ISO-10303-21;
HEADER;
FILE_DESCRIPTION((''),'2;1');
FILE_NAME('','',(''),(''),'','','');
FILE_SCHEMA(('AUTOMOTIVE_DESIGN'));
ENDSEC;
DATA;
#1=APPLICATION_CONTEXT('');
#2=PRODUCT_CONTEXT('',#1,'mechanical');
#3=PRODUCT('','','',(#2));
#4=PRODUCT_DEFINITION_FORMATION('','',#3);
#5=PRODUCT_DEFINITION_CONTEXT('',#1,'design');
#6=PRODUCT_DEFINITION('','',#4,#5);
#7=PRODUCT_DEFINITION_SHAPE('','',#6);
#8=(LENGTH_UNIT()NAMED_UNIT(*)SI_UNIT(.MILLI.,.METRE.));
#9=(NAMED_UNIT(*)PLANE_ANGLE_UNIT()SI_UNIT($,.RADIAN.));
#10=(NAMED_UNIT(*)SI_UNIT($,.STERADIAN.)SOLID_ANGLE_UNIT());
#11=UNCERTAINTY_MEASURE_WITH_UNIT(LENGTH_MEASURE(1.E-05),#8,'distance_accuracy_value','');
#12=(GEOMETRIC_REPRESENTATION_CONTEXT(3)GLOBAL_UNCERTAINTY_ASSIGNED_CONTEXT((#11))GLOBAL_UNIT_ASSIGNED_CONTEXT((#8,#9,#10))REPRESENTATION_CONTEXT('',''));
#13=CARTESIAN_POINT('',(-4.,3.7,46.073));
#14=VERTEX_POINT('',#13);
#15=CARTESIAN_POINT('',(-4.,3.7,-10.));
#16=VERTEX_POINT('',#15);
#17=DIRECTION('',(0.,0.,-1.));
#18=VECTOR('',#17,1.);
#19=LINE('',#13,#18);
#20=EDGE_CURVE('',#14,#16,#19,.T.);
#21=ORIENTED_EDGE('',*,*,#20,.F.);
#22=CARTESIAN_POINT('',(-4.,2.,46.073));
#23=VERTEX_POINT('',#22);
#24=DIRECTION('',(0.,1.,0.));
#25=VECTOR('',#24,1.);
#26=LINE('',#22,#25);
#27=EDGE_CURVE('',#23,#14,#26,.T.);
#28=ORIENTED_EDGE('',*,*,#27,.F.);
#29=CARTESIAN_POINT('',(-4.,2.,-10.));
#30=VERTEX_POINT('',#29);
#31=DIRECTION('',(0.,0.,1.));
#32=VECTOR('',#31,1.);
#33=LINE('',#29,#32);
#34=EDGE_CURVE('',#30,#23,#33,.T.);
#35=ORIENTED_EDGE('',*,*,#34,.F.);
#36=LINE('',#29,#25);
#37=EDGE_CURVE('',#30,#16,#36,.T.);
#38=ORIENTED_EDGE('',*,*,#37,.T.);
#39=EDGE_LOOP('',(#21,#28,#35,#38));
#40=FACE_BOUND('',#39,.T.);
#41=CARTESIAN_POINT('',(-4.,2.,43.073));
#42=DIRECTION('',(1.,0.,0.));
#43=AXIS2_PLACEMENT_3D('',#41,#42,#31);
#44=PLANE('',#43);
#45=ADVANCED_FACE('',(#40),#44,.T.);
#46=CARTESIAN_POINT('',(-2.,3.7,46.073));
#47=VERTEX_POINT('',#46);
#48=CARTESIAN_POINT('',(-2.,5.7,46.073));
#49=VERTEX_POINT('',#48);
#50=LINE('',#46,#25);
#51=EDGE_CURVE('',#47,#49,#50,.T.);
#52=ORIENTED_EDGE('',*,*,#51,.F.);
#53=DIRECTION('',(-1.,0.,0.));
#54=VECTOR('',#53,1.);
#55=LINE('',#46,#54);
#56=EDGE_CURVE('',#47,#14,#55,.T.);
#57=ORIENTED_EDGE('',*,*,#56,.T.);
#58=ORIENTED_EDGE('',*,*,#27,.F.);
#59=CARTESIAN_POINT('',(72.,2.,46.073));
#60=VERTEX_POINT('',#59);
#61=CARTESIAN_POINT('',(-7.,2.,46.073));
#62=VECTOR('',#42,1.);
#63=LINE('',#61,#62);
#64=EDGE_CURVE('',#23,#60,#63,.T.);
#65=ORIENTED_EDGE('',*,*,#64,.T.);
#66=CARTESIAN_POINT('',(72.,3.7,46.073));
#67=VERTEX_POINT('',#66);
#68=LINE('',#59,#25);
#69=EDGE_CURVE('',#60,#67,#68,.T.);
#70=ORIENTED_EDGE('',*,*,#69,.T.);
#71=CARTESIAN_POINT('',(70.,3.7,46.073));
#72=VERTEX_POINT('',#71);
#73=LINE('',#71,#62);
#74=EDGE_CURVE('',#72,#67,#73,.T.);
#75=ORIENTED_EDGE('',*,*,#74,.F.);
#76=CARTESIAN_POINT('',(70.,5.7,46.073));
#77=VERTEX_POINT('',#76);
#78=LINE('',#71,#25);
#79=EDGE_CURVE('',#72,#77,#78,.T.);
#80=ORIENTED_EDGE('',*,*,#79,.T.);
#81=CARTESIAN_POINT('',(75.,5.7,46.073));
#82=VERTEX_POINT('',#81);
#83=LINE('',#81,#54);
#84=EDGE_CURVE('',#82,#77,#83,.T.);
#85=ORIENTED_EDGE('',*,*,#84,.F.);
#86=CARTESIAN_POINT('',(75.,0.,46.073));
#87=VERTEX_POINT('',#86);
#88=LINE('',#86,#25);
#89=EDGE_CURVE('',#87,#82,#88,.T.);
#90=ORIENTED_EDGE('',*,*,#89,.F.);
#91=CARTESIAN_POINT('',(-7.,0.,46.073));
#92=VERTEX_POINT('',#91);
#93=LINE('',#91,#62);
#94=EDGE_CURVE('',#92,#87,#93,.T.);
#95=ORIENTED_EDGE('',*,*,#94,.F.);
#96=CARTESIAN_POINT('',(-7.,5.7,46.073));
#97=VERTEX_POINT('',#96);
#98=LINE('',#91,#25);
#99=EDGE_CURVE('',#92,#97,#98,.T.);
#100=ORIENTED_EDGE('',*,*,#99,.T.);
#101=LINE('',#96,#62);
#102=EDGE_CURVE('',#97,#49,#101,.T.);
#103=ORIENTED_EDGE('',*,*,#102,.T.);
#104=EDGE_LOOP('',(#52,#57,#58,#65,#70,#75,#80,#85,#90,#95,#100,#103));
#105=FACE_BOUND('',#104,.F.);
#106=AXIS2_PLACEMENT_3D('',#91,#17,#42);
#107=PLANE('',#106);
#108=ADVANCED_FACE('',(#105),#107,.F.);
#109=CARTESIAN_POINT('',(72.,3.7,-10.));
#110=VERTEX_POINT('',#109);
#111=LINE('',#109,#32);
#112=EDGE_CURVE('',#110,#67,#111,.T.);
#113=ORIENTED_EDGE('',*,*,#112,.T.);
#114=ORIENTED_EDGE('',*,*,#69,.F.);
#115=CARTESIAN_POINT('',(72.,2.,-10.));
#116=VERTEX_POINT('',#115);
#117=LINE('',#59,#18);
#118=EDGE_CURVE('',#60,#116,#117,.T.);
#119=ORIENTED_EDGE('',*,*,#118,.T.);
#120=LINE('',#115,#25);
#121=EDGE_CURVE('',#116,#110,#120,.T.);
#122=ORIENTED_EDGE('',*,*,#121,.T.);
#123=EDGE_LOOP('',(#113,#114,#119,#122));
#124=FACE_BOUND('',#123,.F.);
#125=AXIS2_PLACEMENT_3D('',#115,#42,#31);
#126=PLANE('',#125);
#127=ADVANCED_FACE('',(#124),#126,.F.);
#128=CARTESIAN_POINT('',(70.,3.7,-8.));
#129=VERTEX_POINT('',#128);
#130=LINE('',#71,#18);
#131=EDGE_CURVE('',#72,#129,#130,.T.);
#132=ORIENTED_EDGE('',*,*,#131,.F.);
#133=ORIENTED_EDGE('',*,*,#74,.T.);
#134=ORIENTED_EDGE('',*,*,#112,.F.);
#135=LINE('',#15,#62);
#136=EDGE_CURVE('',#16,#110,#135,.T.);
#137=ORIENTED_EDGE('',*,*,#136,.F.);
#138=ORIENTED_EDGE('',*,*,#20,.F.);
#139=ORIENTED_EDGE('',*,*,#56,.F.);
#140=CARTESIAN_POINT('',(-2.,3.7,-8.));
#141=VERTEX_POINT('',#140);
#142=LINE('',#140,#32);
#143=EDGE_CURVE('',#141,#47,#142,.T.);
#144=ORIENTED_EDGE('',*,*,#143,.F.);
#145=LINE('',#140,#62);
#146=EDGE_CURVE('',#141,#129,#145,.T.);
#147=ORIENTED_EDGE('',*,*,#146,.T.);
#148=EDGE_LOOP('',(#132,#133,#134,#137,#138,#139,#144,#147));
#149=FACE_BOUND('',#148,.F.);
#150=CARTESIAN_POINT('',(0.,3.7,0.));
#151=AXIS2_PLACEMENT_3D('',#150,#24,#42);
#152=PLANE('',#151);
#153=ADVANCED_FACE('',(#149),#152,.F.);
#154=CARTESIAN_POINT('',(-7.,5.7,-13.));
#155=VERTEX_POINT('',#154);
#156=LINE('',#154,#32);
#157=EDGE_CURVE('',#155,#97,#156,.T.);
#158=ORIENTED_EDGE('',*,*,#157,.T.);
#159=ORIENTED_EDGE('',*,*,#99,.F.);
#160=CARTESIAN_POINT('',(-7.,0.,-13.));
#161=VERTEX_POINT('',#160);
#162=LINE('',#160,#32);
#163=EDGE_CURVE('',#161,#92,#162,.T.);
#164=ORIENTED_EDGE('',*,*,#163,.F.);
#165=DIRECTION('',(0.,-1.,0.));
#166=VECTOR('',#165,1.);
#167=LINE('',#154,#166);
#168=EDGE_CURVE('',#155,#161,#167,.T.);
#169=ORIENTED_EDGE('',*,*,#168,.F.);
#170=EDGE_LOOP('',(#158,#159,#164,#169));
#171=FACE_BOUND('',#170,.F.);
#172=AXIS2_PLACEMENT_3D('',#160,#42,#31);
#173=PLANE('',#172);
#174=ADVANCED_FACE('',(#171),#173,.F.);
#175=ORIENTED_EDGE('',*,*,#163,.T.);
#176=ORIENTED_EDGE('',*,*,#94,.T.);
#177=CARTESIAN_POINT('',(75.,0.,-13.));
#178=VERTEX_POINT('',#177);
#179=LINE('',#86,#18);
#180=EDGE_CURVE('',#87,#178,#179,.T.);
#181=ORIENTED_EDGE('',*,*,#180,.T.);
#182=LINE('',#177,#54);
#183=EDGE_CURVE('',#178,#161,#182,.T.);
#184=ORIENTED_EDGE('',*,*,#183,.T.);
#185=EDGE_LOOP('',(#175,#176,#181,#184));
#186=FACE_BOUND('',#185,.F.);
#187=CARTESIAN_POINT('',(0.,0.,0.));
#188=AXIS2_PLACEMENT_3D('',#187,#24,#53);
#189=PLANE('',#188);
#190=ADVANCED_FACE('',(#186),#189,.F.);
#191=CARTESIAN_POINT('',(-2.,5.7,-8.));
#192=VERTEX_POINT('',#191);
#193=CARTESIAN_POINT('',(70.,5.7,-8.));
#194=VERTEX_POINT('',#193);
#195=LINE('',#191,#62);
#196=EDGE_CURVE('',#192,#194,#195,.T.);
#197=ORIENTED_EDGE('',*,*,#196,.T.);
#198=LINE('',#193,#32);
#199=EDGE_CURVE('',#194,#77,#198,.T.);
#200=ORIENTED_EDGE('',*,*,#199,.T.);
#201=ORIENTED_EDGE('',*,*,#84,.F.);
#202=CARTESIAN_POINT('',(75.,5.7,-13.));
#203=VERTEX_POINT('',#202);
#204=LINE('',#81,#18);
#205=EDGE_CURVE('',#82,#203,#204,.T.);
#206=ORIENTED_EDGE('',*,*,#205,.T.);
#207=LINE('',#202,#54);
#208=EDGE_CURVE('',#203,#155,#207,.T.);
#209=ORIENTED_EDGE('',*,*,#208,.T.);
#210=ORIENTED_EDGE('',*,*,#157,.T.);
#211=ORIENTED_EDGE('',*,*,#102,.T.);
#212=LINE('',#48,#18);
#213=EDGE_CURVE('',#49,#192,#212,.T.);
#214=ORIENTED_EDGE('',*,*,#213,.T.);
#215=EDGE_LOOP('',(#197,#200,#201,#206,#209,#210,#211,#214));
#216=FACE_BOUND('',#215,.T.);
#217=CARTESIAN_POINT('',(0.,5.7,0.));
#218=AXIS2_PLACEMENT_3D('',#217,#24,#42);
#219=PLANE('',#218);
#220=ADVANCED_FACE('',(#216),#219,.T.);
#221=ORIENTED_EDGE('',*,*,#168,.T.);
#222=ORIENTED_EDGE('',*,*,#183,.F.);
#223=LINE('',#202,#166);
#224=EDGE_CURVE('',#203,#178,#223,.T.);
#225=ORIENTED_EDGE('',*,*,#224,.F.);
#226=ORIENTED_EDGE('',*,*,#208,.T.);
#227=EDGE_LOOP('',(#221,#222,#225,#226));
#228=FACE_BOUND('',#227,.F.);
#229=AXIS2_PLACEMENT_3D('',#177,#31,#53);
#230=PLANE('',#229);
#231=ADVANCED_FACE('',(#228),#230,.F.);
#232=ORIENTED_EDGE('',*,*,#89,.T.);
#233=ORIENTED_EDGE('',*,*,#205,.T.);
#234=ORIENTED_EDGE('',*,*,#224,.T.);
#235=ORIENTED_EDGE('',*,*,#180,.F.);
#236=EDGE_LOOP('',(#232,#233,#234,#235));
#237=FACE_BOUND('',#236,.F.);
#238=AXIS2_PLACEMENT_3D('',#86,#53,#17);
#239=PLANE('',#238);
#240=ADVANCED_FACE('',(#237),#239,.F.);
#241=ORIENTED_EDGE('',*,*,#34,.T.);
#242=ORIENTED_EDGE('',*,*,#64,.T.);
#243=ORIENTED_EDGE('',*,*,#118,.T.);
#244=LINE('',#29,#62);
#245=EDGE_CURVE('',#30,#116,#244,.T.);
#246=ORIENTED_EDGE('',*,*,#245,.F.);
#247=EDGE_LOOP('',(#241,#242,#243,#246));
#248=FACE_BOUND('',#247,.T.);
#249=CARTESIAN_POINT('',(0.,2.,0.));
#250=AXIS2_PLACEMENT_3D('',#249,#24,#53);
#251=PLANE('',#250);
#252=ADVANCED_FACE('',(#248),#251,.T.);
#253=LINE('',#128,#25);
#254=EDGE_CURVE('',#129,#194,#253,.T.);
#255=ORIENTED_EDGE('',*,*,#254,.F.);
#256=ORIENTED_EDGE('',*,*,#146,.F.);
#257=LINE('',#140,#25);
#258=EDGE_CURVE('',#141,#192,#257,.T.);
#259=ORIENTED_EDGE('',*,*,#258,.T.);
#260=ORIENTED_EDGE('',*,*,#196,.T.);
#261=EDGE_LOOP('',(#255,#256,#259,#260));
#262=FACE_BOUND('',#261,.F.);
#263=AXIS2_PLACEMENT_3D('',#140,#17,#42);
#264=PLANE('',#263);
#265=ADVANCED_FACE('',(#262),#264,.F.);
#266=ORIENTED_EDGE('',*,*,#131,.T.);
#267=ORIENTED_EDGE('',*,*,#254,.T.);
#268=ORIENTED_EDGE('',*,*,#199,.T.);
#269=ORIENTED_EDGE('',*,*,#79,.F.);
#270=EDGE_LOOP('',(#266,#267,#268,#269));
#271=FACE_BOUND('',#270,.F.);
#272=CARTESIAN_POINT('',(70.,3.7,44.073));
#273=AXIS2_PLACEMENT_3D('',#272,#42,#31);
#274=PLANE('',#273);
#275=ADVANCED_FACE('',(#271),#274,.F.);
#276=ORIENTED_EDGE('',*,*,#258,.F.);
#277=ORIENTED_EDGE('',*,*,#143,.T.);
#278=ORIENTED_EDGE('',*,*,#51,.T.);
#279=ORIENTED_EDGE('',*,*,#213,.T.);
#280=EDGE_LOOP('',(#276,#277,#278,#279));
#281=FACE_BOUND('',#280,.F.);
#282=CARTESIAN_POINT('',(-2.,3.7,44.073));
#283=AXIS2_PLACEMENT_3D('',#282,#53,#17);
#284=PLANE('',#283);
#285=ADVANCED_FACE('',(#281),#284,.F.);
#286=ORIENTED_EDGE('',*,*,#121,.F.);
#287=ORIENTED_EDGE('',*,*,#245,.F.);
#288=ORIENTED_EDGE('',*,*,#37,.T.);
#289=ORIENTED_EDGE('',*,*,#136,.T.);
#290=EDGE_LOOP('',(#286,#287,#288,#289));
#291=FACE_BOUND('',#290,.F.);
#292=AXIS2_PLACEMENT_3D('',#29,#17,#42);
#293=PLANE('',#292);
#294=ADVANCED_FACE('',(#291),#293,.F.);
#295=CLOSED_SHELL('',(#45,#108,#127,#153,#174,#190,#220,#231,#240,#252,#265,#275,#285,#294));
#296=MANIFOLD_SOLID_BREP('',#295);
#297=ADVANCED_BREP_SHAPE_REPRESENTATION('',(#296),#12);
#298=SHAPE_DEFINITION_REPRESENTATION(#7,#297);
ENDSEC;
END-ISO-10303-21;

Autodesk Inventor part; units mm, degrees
ref_plane "YZ Plane" through (0, 0, 0) normal (1, 0, 0) x (0, 1, 0)
ref_plane "XZ Plane" through (0, 0, 0) normal (0, 1, 0) x (-1, 0, 0)
ref_plane "XY Plane" through (0, 0, 0) normal (0, 0, 1) x (1, 0, 0)
sketch "Szkic1" plane through (0, 0, 0) normal (0, 1, 0) x (-1, 0, 0)
  line L0 (7, 46.073) -> (-75, 46.073)
  line L1 (-75, 46.073) -> (-75, -13)
  line L2 (-75, -13) -> (7, -13)
  line L3 (7, -13) -> (7, 46.073)
  point P0 (0, 0)
  dimension "d0" = 82
  dimension "d1" = 59.073
extrude "Wyciągnięcie proste1" add sketch "Szkic1" along normal blind 2
sketch "Szkic2" plane through (0, 2, 0) normal (0, 1, 0) x (1, 0, 0)
  line L0 (75, -46.073) -> (75, 13) projected
  line L1 (75, 13) -> (-7, 13) projected
  line L2 (-7, 13) -> (-7, -46.073) projected
  line L3 (-7, -46.073) -> (75, -46.073) projected
  line L4 (-4, 10) -> (72, 10)
  line L5 (72, 10) -> (72, -43.073)
  line L6 (72, -43.073) -> (-4, -43.073)
  line L7 (-4, -43.073) -> (-4, 10)
  line L8 (-4, -43.073) -> (-4, -46.073)
  line L9 (72, -43.073) -> (72, -46.073)
  line L10 (-7, -46.073) -> (75, -46.073) projected
  point P0 (0, 0)
  dimension "d4" = 3
extrude "Wyciągnięcie proste2" add sketch "Szkic2" along normal blind 1.7 contours L3 L9 L5 L4 L7 L8 L2 L1 L0
sketch "Szkic3" plane through (0, 3.7, 0) normal (0, 1, 0) x (1, 0, 0)
  line L0 (75, 13) -> (-7, 13) projected
  line L1 (-7, 13) -> (-7, -46.073) projected
  line L2 (-7, -46.073) -> (-4, -46.073) projected
  line L3 (72, -46.073) -> (75, -46.073) projected
  line L4 (75, -46.073) -> (75, 13) projected
  line L5 (72, -46.073) -> (72, 10) projected
  line L6 (72, 10) -> (-4, 10) projected
  line L7 (-4, 10) -> (-4, -46.073) projected
  line L8 (-4, -46.073) -> (72, -46.073) projected
  line L9 (-2, 8) -> (70, 8)
  line L10 (70, 8) -> (70, -44.073)
  line L11 (70, -44.073) -> (-2, -44.073)
  line L12 (-2, -44.073) -> (-2, 8)
  line L13 (-2, -44.073) -> (-2, -46.073)
  line L14 (-7, -46.073) -> (75, -46.073) projected
  line L15 (70, -44.073) -> (70, -46.073)
  point P0 (0, 0)
  dimension "d7" = 2
extrude "Wyciągnięcie proste3" add sketch "Szkic3" along normal blind 2 contours L4 L3 L5 L6 L7 L2 L1 L0 | L8 L15 L10 L9 L12 L13 L7 L6 L5
properties part number "podstawka_na_pcb"
